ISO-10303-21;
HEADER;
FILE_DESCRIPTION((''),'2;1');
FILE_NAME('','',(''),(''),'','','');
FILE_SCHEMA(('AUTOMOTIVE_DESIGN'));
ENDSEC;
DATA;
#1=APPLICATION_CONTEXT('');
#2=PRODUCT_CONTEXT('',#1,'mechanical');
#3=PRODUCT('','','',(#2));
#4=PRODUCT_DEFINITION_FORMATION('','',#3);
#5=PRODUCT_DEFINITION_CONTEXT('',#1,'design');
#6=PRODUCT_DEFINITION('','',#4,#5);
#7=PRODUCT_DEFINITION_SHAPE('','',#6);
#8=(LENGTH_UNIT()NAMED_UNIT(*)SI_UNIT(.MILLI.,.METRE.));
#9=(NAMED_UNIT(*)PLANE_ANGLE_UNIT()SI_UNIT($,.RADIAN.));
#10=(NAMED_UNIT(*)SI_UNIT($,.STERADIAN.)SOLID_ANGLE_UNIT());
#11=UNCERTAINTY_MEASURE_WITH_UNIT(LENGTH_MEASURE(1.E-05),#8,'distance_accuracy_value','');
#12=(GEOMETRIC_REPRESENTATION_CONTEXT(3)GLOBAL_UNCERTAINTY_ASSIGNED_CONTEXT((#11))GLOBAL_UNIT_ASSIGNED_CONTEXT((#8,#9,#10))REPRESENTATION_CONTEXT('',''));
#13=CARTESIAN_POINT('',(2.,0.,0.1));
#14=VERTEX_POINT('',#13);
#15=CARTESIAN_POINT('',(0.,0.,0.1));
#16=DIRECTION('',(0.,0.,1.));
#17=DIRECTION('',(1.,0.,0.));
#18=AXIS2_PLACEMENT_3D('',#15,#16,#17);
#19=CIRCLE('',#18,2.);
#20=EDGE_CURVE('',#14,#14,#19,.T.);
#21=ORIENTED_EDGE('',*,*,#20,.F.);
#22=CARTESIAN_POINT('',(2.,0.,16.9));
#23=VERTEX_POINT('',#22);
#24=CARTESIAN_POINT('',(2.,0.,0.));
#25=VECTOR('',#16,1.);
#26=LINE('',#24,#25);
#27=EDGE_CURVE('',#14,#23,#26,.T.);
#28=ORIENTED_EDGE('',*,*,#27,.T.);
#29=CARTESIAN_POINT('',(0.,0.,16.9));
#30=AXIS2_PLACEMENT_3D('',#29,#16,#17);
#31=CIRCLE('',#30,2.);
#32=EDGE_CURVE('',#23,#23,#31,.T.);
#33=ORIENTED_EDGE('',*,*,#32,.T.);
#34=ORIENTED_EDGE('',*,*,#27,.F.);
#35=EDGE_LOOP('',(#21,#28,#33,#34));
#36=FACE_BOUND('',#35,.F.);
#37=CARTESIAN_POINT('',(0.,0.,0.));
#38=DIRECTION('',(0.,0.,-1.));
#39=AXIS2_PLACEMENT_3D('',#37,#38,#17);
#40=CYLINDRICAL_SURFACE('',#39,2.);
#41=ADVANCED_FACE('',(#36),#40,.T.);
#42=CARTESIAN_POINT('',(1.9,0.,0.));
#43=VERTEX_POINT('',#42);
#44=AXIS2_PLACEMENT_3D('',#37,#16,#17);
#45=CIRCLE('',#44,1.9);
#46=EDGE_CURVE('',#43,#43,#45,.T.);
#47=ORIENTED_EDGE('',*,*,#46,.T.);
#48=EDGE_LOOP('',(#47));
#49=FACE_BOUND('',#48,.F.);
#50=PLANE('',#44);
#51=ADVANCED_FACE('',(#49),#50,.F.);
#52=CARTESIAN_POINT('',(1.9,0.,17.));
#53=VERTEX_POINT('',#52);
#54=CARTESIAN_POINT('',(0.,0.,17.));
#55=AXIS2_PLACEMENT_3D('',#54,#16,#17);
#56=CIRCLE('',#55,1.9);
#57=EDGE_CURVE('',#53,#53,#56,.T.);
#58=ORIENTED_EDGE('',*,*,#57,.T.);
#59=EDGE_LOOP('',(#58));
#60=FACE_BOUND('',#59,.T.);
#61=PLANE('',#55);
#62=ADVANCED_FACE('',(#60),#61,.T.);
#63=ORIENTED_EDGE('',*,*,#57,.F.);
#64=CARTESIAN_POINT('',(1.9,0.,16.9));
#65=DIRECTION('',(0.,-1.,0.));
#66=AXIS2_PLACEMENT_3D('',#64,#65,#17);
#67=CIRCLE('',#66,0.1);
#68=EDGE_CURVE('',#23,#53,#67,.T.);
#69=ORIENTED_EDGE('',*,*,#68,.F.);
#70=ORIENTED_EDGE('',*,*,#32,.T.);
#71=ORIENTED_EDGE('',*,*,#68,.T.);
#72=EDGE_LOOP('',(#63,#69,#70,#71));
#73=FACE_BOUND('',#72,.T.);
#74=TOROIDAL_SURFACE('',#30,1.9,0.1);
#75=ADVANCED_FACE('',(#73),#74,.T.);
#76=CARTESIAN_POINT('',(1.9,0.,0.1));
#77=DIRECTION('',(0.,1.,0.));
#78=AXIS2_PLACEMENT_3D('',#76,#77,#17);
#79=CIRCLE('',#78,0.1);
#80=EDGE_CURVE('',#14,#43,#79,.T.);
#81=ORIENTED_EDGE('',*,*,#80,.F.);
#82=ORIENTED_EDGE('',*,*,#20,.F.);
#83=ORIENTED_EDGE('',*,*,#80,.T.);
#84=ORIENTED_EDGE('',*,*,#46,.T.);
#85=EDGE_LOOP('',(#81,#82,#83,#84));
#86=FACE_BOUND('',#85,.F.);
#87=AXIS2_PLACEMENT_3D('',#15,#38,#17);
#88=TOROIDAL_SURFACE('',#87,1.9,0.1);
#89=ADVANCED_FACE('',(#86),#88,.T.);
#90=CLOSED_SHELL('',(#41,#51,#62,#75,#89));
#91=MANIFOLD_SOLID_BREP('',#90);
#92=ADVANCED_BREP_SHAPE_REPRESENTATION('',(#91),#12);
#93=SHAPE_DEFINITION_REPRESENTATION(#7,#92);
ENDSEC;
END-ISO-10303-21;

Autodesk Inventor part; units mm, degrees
ref_plane "YZ Plane" through (0, 0, 0) normal (1, 0, 0) x (0, 1, 0)
ref_plane "XZ Plane" through (0, 0, 0) normal (0, 1, 0) x (-1, 0, 0)
ref_plane "XY Plane" through (0, 0, 0) normal (0, 0, 1) x (1, 0, 0)
sketch "Sketch1" plane through (0, 0, 0) normal (0, 0, 1) x (1, 0, 0)
  circle A0 centre (0, 0) radius 2
  dimension "d0" = 4
extrude "Extrusion1" add sketch "Sketch1" along normal blind 17
fillet "Fillet1" radius 0.1 2 edges at (-2, 0, 17) (-2, 0, 0)
properties part number "Pasador"
